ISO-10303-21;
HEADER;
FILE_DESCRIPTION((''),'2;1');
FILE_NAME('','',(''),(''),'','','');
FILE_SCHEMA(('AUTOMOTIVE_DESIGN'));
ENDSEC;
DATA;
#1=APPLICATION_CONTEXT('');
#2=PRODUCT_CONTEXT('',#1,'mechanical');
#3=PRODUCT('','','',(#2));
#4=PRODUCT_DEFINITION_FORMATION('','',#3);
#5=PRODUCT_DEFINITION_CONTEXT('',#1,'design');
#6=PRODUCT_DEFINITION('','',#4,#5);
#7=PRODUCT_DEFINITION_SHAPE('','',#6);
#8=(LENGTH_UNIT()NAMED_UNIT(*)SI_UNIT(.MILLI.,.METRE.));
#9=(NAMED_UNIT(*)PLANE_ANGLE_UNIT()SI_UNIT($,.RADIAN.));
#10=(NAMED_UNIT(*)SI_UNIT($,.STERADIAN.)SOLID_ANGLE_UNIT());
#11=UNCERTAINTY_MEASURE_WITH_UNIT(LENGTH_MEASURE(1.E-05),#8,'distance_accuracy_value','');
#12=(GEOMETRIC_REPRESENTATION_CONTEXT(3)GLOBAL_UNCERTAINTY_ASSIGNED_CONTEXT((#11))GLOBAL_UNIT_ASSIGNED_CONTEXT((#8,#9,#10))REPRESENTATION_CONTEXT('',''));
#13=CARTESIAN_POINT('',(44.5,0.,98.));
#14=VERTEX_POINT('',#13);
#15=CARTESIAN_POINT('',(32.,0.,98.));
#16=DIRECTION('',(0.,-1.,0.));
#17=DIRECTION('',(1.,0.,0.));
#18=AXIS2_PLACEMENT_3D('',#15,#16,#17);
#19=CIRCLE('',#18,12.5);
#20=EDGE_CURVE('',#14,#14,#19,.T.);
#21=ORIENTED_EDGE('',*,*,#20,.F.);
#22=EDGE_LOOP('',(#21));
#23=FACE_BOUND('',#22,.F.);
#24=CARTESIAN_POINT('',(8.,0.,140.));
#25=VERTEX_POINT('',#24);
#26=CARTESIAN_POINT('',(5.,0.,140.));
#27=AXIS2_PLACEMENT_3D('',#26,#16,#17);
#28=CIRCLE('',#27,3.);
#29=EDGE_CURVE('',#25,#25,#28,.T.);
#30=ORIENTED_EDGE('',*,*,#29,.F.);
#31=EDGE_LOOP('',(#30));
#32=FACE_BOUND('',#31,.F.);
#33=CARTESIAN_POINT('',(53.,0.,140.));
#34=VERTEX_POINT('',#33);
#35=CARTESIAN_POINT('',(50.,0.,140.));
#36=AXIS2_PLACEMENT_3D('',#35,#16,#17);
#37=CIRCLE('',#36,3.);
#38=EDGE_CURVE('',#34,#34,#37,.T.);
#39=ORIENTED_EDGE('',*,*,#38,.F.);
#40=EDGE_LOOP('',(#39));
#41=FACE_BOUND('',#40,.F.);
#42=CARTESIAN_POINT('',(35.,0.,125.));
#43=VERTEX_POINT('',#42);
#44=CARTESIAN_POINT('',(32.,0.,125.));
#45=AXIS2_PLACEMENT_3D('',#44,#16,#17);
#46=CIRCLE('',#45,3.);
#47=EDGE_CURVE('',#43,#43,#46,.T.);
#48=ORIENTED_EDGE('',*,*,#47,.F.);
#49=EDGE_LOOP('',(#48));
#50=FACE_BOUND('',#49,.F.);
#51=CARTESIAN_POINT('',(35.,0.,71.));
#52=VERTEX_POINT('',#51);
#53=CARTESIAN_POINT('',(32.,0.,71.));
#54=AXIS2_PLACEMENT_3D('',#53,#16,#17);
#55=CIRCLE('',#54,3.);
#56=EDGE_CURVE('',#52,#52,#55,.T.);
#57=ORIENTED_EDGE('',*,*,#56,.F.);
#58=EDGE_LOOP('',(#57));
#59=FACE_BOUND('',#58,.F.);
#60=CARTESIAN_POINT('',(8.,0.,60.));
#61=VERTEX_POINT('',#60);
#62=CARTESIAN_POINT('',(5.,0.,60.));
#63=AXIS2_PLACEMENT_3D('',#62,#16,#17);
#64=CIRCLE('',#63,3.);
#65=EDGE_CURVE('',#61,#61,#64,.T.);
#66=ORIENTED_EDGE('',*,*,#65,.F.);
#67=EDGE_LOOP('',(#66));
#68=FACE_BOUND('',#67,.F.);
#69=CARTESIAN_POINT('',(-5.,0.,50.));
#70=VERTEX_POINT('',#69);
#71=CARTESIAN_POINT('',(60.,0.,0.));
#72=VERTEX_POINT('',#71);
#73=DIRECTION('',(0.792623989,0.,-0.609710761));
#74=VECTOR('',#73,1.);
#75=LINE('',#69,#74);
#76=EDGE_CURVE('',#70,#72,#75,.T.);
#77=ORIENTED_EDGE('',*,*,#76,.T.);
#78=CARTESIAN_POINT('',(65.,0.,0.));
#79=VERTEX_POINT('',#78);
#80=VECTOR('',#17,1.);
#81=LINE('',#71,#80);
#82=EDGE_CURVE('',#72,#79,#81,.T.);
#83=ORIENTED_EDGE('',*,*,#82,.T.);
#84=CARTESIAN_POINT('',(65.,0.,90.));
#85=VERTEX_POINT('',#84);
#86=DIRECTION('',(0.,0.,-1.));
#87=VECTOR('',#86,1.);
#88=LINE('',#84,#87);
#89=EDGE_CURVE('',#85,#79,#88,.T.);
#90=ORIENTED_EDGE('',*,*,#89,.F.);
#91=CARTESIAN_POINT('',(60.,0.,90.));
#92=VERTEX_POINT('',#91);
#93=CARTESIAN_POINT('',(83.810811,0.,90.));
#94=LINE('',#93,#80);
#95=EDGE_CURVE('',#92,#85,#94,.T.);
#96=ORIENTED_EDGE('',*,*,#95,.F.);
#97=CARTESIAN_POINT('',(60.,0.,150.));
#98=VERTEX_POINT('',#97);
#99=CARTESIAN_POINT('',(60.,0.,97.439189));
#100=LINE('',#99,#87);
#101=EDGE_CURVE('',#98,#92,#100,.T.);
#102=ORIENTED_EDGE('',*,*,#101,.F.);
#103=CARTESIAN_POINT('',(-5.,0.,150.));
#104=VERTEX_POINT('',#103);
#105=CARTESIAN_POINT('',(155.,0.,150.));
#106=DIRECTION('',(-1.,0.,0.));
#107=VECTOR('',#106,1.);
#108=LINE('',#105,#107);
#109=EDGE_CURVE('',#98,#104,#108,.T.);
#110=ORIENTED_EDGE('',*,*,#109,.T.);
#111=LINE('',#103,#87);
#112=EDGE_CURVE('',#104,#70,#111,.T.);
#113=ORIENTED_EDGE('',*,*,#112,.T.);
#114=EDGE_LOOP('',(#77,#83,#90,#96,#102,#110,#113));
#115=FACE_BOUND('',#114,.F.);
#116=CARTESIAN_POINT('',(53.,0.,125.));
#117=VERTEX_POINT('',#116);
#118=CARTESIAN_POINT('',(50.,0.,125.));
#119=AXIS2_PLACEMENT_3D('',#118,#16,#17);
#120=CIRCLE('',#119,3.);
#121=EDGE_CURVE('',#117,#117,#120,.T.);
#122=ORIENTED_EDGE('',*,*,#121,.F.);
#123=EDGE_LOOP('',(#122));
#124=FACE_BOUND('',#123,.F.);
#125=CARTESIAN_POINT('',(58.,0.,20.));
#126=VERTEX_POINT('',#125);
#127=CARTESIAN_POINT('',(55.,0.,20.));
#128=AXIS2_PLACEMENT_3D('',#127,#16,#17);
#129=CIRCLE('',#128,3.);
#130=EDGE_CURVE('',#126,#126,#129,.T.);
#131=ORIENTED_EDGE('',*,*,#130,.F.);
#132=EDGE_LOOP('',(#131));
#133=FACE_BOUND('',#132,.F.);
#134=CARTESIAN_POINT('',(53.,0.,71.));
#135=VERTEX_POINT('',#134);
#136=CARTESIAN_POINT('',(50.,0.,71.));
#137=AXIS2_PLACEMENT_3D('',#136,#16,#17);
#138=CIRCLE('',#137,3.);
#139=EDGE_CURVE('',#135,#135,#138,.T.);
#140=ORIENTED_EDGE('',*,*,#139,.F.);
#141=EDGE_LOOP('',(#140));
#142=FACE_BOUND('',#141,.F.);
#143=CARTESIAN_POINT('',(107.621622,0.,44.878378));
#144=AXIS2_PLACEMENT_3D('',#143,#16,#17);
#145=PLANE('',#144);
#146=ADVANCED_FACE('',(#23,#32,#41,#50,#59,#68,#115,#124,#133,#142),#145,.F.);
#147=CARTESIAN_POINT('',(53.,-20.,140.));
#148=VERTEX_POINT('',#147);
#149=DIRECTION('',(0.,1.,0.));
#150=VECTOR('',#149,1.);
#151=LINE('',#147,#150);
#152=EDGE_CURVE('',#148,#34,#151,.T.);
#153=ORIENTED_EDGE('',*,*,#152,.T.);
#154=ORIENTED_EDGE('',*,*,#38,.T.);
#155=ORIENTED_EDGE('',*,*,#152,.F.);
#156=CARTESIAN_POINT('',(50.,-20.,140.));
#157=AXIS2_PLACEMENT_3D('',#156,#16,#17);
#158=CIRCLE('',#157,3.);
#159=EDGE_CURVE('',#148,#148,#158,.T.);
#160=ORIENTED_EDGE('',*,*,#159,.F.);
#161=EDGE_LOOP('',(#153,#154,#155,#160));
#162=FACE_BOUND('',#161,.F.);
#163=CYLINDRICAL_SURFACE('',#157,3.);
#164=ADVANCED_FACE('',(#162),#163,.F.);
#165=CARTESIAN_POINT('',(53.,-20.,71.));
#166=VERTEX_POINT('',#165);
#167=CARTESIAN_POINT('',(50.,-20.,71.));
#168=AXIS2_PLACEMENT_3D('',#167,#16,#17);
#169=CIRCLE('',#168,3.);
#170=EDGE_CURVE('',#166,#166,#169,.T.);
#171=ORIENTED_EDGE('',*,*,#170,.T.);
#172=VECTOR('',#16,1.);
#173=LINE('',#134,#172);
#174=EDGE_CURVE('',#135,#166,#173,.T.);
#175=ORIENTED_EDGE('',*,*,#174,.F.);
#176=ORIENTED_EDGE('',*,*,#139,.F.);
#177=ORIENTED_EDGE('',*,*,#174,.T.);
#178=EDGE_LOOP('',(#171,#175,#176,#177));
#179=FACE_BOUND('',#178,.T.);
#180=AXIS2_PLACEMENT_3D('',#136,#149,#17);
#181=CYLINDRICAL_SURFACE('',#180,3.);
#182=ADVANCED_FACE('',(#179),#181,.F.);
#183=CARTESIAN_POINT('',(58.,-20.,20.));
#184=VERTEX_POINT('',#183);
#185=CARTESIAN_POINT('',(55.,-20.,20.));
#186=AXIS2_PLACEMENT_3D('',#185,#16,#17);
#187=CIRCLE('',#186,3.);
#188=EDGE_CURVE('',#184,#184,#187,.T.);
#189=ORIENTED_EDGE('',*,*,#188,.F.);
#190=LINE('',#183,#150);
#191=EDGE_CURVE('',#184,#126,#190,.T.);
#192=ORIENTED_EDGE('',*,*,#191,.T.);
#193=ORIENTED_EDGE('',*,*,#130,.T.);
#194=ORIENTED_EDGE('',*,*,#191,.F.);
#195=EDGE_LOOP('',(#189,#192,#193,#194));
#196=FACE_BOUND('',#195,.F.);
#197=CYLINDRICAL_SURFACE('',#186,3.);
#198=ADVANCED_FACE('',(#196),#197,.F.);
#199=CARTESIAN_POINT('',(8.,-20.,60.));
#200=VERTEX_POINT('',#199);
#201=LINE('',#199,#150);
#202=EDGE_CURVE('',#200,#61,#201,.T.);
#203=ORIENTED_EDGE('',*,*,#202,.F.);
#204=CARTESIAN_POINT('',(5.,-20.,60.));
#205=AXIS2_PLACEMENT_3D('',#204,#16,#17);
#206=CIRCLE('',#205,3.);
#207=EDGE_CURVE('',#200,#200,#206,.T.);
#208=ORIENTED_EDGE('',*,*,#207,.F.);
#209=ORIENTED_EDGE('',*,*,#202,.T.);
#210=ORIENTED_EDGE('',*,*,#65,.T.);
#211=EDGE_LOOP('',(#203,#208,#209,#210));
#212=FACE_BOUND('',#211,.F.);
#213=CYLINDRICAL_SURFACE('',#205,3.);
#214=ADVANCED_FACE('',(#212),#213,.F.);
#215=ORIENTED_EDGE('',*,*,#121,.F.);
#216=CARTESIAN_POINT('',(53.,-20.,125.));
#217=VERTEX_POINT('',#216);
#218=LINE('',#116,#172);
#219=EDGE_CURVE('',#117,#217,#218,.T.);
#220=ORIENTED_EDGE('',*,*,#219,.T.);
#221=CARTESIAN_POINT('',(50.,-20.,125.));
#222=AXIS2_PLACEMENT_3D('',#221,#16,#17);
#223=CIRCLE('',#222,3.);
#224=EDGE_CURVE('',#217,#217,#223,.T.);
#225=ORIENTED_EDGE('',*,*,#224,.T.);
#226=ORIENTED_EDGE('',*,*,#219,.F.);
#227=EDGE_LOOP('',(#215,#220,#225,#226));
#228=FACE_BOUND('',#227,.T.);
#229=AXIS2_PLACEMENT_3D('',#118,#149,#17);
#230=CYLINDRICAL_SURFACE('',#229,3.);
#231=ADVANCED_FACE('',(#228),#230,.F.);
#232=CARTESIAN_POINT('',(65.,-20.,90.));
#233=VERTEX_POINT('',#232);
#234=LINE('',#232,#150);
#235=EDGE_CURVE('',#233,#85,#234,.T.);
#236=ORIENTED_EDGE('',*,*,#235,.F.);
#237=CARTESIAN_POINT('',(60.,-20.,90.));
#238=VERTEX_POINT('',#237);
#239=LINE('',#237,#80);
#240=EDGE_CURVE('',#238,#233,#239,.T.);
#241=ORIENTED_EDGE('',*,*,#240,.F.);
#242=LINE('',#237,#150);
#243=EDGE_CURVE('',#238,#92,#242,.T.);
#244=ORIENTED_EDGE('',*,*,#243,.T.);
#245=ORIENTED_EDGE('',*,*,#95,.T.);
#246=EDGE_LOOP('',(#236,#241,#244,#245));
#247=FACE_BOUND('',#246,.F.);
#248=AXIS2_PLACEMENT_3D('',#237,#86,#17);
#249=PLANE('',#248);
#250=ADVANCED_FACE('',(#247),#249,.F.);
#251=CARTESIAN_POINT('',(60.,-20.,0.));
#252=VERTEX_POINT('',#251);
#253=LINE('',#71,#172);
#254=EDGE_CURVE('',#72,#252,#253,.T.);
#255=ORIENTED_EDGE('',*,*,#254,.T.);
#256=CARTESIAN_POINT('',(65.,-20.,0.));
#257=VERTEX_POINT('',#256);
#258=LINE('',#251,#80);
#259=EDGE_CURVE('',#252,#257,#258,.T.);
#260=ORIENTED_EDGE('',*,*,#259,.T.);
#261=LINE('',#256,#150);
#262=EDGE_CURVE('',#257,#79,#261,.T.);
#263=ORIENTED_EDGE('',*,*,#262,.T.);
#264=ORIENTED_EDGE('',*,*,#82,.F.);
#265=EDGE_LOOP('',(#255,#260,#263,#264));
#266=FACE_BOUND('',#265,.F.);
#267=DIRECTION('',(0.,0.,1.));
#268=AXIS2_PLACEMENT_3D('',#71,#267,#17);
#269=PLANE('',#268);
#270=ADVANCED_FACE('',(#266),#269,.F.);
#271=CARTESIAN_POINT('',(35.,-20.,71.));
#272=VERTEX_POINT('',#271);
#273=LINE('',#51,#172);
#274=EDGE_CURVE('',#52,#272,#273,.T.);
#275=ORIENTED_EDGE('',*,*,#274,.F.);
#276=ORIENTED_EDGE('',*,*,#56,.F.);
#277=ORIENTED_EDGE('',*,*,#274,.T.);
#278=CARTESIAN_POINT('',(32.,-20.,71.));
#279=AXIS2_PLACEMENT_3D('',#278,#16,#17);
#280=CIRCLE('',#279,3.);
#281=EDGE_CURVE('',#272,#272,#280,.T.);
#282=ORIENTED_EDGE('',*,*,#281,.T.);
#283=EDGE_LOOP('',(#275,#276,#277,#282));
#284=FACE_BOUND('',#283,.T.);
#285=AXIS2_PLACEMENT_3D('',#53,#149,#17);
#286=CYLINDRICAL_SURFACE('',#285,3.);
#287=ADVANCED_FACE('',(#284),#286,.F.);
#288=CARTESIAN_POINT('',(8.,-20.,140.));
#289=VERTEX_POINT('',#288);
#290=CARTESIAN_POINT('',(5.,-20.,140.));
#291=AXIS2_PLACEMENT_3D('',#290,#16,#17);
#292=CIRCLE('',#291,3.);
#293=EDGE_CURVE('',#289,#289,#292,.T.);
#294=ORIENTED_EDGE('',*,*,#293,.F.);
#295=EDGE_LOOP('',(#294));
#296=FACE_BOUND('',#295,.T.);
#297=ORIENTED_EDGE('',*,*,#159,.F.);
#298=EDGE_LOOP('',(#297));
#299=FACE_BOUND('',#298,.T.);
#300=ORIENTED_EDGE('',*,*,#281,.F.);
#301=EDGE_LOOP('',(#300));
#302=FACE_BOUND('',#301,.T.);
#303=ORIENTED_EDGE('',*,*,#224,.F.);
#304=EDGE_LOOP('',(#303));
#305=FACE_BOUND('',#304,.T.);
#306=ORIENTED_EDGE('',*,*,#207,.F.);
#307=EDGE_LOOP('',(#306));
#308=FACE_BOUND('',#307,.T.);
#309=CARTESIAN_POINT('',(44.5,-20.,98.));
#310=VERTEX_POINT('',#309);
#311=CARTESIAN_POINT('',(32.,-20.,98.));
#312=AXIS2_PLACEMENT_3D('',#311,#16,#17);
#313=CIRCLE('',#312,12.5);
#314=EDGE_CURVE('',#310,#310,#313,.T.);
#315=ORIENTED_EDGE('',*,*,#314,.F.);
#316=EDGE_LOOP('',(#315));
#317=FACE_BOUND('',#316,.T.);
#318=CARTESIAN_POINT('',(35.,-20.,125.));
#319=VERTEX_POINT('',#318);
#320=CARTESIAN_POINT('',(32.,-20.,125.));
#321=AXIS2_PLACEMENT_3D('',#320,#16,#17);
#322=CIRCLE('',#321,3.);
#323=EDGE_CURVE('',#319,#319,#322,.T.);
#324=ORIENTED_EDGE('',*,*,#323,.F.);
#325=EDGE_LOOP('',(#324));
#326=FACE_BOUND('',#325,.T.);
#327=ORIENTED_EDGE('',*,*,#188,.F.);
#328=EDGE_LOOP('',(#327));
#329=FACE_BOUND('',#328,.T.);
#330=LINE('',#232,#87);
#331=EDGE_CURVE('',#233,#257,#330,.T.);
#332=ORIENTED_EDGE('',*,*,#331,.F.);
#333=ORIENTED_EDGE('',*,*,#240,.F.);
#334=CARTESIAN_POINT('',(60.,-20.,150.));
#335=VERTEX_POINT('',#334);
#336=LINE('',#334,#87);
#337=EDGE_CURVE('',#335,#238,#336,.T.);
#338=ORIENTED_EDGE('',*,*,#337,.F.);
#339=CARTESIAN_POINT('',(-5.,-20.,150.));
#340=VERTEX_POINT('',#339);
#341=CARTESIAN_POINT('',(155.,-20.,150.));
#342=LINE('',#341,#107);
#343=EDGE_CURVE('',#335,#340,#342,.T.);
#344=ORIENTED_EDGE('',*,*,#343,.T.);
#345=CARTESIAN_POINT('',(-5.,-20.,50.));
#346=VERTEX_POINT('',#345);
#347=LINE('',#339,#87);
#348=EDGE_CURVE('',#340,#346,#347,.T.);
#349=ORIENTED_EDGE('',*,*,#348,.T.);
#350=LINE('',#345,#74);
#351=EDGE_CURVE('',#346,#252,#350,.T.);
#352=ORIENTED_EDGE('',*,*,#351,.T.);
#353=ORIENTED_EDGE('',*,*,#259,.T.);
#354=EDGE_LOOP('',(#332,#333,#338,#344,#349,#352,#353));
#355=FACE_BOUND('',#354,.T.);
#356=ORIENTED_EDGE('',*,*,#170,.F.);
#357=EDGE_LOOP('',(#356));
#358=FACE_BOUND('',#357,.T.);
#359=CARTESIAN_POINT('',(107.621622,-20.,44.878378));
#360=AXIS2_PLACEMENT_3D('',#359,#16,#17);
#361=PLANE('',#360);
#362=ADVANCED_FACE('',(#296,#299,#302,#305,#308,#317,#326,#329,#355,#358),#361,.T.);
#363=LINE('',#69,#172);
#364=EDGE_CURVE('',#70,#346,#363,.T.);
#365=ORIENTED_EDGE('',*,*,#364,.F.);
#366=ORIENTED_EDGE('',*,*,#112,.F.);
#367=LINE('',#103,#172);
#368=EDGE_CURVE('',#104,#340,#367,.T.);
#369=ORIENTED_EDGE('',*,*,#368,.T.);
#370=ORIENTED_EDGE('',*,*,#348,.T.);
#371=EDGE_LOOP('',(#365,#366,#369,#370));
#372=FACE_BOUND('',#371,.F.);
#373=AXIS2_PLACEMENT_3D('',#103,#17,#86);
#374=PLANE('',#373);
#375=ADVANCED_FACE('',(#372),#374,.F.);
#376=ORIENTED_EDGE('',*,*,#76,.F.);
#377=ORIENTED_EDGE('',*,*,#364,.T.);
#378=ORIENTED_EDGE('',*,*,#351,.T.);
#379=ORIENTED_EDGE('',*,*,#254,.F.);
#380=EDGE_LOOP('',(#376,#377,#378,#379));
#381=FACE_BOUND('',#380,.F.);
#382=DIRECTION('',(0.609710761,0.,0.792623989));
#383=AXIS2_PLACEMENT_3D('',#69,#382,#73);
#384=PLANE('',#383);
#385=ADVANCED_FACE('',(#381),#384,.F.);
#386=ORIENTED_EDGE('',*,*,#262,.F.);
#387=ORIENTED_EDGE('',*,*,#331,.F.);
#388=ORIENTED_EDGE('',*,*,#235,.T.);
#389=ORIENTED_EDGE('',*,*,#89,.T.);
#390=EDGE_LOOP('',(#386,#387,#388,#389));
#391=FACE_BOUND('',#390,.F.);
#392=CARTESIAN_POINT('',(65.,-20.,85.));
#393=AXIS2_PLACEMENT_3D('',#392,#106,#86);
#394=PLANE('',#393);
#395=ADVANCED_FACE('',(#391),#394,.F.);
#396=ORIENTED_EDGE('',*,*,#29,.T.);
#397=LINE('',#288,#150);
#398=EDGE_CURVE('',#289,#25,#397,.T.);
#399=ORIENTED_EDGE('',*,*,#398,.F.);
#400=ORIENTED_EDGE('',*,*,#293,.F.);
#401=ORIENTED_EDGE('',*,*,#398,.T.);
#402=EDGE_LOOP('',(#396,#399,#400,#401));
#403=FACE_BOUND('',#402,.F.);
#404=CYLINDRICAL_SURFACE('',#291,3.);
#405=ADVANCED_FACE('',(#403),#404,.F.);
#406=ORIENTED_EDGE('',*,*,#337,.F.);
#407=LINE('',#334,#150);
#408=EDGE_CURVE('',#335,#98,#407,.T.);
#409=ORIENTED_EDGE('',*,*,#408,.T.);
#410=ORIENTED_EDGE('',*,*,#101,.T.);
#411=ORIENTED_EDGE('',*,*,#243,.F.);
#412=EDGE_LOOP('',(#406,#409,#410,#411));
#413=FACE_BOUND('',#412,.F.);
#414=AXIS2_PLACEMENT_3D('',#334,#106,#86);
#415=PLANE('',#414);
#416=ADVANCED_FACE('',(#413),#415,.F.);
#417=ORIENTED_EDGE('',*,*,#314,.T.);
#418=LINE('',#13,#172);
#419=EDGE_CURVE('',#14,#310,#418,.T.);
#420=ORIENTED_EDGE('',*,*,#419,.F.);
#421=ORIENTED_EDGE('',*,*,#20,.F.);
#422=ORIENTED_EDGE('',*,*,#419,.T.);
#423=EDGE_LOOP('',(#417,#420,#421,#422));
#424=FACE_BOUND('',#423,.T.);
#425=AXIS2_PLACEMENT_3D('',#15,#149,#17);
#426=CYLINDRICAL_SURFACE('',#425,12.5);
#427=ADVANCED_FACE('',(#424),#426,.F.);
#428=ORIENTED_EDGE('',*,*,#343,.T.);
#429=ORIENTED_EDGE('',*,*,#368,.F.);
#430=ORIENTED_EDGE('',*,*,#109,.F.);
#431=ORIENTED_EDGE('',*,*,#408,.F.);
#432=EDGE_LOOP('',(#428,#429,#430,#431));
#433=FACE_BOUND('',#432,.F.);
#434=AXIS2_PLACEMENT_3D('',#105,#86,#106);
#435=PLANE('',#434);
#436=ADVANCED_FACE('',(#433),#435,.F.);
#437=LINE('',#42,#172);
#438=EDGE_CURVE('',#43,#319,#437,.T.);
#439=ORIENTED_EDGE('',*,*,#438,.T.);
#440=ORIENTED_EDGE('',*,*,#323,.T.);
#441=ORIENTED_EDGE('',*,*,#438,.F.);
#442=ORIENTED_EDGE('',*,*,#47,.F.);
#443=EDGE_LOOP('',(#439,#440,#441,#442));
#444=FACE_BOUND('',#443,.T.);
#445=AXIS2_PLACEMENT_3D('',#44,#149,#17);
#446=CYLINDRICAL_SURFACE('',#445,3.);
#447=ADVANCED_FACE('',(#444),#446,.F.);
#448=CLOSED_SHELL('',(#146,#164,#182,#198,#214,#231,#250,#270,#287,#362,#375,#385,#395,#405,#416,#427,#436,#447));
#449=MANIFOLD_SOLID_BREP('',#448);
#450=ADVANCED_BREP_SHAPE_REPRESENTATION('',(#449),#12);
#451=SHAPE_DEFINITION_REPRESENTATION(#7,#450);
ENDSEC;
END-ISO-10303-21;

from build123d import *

# Parameters (mm, degrees)
F0_R      = 18
F0_R_2    = 3
F0_W      = 3
F0_H      = 29
F0_H_2    = 15
F0_R_3    = 12.5
F1_DEPTH  = 20
F2_DEPTH  = 25
F4_DEPTH  = 25
F5_W      = 22
F5_H      = 19
F6_DEPTH  = 25
F8_DEPTH  = 25
F9_R      = 3
F10_DEPTH = 25


with BuildPart() as f1:
    # F0 (on Front) → F1 (new body)
    with BuildSketch(Plane.XZ):
        Polygon((60, 50), (60, 0), (155, 0), (155, 90), (63, 90), (63, 75), (60, 75), align=None)
        Polygon((1, 75), (60, 75), (60, 90), (60, 119), (1, 119), align=None)
        with Locations((32, 98)):
            Circle(F0_R, mode=Mode.SUBTRACT)
        Polygon((-5, 50), (60, 50), (60, 75), (1, 75), (1, 119), (60, 119), (60, 120), (-5, 120), align=None)
        with Locations((32, 71)):
            Circle(F0_R_2, mode=Mode.SUBTRACT)
        with Locations((50, 71)):
            Circle(F0_R_2, mode=Mode.SUBTRACT)
        Polygon((63, 90), (155, 90), (155, 150), (-5, 150), (-5, 120), (60, 120), (60, 119), (63, 119), align=None)
        with Locations((32, 125)):
            Circle(F0_R_2, mode=Mode.SUBTRACT)
        with Locations((50, 125)):
            Circle(F0_R_2, mode=Mode.SUBTRACT)
        with Locations((61.5, 104.5)):
            Rectangle(F0_W, F0_H)
        with Locations((61.5, 82.5)):
            Rectangle(F0_W, F0_H_2)
        with Locations((32, 98)):
            Circle(F0_R_3)
        with Locations((32, 98)):
            Circle(F0_R)
        with Locations((32, 98)):
            Circle(F0_R_3, mode=Mode.SUBTRACT)
        Polygon((-5, 50), (60, 0), (60, 50), align=None)
    extrude(amount=F1_DEPTH)

    # F0 (on Front) → F2 (cut)
    with BuildSketch(Plane.XZ):
        with Locations((32, 98)):
            Circle(F0_R_3)
    extrude(amount=F2_DEPTH, mode=Mode.SUBTRACT)

    # F3 (on face) → F4 (cut)
    with BuildSketch(Plane.XZ.offset(20)):
        with BuildLine():
            Line((65, 0), (155, 0))
            Line((155, 0), (155, 90))
            Line((155, 90), (70, 90))
            ThreePointArc((70, 90), (66.464466, 88.535534), (65, 85))
            Line((65, 85), (65, 0))
        make_face()
    extrude(amount=-F4_DEPTH, mode=Mode.SUBTRACT)

    # F5 (on face) → F6 (cut)
    with BuildSketch(Plane(origin=(0, 0, 0), x_dir=(-1, 0, 0), z_dir=(0, 1, 0))):
        with Locations((-87, 99.5)):
            Rectangle(F5_W, F5_H)
    extrude(amount=-F6_DEPTH, mode=Mode.SUBTRACT)

    # F7 (on face) → F8 (cut)
    with BuildSketch(Plane.XZ.offset(20)):
        with BuildLine():
            Line((155, 150), (60, 150))
            Line((60, 150), (60, 90))
            Line((60, 90), (65, 90))
            Line((65, 90), (65, 85))
            ThreePointArc((65, 85), (66.464466, 88.535534), (70, 90))
            Line((70, 90), (76, 90))
            Line((76, 90), (76, 109))
            Line((76, 109), (98, 109))
            Line((98, 109), (98, 90))
            Line((98, 90), (155, 90))
            Line((155, 90), (155, 150))
        make_face()
    extrude(amount=-F8_DEPTH, mode=Mode.SUBTRACT)

    # F9 (on face) → F10 (cut)
    with BuildSketch(Plane.XZ.offset(20)):
        with Locations((5, 140)):
            Circle(F9_R)
        with Locations((50, 140)):
            Circle(F9_R)
        with Locations((5, 60)):
            Circle(F9_R)
        with Locations((55, 20)):
            Circle(F9_R)
    extrude(amount=-F10_DEPTH, mode=Mode.SUBTRACT)


solid = f1.part
